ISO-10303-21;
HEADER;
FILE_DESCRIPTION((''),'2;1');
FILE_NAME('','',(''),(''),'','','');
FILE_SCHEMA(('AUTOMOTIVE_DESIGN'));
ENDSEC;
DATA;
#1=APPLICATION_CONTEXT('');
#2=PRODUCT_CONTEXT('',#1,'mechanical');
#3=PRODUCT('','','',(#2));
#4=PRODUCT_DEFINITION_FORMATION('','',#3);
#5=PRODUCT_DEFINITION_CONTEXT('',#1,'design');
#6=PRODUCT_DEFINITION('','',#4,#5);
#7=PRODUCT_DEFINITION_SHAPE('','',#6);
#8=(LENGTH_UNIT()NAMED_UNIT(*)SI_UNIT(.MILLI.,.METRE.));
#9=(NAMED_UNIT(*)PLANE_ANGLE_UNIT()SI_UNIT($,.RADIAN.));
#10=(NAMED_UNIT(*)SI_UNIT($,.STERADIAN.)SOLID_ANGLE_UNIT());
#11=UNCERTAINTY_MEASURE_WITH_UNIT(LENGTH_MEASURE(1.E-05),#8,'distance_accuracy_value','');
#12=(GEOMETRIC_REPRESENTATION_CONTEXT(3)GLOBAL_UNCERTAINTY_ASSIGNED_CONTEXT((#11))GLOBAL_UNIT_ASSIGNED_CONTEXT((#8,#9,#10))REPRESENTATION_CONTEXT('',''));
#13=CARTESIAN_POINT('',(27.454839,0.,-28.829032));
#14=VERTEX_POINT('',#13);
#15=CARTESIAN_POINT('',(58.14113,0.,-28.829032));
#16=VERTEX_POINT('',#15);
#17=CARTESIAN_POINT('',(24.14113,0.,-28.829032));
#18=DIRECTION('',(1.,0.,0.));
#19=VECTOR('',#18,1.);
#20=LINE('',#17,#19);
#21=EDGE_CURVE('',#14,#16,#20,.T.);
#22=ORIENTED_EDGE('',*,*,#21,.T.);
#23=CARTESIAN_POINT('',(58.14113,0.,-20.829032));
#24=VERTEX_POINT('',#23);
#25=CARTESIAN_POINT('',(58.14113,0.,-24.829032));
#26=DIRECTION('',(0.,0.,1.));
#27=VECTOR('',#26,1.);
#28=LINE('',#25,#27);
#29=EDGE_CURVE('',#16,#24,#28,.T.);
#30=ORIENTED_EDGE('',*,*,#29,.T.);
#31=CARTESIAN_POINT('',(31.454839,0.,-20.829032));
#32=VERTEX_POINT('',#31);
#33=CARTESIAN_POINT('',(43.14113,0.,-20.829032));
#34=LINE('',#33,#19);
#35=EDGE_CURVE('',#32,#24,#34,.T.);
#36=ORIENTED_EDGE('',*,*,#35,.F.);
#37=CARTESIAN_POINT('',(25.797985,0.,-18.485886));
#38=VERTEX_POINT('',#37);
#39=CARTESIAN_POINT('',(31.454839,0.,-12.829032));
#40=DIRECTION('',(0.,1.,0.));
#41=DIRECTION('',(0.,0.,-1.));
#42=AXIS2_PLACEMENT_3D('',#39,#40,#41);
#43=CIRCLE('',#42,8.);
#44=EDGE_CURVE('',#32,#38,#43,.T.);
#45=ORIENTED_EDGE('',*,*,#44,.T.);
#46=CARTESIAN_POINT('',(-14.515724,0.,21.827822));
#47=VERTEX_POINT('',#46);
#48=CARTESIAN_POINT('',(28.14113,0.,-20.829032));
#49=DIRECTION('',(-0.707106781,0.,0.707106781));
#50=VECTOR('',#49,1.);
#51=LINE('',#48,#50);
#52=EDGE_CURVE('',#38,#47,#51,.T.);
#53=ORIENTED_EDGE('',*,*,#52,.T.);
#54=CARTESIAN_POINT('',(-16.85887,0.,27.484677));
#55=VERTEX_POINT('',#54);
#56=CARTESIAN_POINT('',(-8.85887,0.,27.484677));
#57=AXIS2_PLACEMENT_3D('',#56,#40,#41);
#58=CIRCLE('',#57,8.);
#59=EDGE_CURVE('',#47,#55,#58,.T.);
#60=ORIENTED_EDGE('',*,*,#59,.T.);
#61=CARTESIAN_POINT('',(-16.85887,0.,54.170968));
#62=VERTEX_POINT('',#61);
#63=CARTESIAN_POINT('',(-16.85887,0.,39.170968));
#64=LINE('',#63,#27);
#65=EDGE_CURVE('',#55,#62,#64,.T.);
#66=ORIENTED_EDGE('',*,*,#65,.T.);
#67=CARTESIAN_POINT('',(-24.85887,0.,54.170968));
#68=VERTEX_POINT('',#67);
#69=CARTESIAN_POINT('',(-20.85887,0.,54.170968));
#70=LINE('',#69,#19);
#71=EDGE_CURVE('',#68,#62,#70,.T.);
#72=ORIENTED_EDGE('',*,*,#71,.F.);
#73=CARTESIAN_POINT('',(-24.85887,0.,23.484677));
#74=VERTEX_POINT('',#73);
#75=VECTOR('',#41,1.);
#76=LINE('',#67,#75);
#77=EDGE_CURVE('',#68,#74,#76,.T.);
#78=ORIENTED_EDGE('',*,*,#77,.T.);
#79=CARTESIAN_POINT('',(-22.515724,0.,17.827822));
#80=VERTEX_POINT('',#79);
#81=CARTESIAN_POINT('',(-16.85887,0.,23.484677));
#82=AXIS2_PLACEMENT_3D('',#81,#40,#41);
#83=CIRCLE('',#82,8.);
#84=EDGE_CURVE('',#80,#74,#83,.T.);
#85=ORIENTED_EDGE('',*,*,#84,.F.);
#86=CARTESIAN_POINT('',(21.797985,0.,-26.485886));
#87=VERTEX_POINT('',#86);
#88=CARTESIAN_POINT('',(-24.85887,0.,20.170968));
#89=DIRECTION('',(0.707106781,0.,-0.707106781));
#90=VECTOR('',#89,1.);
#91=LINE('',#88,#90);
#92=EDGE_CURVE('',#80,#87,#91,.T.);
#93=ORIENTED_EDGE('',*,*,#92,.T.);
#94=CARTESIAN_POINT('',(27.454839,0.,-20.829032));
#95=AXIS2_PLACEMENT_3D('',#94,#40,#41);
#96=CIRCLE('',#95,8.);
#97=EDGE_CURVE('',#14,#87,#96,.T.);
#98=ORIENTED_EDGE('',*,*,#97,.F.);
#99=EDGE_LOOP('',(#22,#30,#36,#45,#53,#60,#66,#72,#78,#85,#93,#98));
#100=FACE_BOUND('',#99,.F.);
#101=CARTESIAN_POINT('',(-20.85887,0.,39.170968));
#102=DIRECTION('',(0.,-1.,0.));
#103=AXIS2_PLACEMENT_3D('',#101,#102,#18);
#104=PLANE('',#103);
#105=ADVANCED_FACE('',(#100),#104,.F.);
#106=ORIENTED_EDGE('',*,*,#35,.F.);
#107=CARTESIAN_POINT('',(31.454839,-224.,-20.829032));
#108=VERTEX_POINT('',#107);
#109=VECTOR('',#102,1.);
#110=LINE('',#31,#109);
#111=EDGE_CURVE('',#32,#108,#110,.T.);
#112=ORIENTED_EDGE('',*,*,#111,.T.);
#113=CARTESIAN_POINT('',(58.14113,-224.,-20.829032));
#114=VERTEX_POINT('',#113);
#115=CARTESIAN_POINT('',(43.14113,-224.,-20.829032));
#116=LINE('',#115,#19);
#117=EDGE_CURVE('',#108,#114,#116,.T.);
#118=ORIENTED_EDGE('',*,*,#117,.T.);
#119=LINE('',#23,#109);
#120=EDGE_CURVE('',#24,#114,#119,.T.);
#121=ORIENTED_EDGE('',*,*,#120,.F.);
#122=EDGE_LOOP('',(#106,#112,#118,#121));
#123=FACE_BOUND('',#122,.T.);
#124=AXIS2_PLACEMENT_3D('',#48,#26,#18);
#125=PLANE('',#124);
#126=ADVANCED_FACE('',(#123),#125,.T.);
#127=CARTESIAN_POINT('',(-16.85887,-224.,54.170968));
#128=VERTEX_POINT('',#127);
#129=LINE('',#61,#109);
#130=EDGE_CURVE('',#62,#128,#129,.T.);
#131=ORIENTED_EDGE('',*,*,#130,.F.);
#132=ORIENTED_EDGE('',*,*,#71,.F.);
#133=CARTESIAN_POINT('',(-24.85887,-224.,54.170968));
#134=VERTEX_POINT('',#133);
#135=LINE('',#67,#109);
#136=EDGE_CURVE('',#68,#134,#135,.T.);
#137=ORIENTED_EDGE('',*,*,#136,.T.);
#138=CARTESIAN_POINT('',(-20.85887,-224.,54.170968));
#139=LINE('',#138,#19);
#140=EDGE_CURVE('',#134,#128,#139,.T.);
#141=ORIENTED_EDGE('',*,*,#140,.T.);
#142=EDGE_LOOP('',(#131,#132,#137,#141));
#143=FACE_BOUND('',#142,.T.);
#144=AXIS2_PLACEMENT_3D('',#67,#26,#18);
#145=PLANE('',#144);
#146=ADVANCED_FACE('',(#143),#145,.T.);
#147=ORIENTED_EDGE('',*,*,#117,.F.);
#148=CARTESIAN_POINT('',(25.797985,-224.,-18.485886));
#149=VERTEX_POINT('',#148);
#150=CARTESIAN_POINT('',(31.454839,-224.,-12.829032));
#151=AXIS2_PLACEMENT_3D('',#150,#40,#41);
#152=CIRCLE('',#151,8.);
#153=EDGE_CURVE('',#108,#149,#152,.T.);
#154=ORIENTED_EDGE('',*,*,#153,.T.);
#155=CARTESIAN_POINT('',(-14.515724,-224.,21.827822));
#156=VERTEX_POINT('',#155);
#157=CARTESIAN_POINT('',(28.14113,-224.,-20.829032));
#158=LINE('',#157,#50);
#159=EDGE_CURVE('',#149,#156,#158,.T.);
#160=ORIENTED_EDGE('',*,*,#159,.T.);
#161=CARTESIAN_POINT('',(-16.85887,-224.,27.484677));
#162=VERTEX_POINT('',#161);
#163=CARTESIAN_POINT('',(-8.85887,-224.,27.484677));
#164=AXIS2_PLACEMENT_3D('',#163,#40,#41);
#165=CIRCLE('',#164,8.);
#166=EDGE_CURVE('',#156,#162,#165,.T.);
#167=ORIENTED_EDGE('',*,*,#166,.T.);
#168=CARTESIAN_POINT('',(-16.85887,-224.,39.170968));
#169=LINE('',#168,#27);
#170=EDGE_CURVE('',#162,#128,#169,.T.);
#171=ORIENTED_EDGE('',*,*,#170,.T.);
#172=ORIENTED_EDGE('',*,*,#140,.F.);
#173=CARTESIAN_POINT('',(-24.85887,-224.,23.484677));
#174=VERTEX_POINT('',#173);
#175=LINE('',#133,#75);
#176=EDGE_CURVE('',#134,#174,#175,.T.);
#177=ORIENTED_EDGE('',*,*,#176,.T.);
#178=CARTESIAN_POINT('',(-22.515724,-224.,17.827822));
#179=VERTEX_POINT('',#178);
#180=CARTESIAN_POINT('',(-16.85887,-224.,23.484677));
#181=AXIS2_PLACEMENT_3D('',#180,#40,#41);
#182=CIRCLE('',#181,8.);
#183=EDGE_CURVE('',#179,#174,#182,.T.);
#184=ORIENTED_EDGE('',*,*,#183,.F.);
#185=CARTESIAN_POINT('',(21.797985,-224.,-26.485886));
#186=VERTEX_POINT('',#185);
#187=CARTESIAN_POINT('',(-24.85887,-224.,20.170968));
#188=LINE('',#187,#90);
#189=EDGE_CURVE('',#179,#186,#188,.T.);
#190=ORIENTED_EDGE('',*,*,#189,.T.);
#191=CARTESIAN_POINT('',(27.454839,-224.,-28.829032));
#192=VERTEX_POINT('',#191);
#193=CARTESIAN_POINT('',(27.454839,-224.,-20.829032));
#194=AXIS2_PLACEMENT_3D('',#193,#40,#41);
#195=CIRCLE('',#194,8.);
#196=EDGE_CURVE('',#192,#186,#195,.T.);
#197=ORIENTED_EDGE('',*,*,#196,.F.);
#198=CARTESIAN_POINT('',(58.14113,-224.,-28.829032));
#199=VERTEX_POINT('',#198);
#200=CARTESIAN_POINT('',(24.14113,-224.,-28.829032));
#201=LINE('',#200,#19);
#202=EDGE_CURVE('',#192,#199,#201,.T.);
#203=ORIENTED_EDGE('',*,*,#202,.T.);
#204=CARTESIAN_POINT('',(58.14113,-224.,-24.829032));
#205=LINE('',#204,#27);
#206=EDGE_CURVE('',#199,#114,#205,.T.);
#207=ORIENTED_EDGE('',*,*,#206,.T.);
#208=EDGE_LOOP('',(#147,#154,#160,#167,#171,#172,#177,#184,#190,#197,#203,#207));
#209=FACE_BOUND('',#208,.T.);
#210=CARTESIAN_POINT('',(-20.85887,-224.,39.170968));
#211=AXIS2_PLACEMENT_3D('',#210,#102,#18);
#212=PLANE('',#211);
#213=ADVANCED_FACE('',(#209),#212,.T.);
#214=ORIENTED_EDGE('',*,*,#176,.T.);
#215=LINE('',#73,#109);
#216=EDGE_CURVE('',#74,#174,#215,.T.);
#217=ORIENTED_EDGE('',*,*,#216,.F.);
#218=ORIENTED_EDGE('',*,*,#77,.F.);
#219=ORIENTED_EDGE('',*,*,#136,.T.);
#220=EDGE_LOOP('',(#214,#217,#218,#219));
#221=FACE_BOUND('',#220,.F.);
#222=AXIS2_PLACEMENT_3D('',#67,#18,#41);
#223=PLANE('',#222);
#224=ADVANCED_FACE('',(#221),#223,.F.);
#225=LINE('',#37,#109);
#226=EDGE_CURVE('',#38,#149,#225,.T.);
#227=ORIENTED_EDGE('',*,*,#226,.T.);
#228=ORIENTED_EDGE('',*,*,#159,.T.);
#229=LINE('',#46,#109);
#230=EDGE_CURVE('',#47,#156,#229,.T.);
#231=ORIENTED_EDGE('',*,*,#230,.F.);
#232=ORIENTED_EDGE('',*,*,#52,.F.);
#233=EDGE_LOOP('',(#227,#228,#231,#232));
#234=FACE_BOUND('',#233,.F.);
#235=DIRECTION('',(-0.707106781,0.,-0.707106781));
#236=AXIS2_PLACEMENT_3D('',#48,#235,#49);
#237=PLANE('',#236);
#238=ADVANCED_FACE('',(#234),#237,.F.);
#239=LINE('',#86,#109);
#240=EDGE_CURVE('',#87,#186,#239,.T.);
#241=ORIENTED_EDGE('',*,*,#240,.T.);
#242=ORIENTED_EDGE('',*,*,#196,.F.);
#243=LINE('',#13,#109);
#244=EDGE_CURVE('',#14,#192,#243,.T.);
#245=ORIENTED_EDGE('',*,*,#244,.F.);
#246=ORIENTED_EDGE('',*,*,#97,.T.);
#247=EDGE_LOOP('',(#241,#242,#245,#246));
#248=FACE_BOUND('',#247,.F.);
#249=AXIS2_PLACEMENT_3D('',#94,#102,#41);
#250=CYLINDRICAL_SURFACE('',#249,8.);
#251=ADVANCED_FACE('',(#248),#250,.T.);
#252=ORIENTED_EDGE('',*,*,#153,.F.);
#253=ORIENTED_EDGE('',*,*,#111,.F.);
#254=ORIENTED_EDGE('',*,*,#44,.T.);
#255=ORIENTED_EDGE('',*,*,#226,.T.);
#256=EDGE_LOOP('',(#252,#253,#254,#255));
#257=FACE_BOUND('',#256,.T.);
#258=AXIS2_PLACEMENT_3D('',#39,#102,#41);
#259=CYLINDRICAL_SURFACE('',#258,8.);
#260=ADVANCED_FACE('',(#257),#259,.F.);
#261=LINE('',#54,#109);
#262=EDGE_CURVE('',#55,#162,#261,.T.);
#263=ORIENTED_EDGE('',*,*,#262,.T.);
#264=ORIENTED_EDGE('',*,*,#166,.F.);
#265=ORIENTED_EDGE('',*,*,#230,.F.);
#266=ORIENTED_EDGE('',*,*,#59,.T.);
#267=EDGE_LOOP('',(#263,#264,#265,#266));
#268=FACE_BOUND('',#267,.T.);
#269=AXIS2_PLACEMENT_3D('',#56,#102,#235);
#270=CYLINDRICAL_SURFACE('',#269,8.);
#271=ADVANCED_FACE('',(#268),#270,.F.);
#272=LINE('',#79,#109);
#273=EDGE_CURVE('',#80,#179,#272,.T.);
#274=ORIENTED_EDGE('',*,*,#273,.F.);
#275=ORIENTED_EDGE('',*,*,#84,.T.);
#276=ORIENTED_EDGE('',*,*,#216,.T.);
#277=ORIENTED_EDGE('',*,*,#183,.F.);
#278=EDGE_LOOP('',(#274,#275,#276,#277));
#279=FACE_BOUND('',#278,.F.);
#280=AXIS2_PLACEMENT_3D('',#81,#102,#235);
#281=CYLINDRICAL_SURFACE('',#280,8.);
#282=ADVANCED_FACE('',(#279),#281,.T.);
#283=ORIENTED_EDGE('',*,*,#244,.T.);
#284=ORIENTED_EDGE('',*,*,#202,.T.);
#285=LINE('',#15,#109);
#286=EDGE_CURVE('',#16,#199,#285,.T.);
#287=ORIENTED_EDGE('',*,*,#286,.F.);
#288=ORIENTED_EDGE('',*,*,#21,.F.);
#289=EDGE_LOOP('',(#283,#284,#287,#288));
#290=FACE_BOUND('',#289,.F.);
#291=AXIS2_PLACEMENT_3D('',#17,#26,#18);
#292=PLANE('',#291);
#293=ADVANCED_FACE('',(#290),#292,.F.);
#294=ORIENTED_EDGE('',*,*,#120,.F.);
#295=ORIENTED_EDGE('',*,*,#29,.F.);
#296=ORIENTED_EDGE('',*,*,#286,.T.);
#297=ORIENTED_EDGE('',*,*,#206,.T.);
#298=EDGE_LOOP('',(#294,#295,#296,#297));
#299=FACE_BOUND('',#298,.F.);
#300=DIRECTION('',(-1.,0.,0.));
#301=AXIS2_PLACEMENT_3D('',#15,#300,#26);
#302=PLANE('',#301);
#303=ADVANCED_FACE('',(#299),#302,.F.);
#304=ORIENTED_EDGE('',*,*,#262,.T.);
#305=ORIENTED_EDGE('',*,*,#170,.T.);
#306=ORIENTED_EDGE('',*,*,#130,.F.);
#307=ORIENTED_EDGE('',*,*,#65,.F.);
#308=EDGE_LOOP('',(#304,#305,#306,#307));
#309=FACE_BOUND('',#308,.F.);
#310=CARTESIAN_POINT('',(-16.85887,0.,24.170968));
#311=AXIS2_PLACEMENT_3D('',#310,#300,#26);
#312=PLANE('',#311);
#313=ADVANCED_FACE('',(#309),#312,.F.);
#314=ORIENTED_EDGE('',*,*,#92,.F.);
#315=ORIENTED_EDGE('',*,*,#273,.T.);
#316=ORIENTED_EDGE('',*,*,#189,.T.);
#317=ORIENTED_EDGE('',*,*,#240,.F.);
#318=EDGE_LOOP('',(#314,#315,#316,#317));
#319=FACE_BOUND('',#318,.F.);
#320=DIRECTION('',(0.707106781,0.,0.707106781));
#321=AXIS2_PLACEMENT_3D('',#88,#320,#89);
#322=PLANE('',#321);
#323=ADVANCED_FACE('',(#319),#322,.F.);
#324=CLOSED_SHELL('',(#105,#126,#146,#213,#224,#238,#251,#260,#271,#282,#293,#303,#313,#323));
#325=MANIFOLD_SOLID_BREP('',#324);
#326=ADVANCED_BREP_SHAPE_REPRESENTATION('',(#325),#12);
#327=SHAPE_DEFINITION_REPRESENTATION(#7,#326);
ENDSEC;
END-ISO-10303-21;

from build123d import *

# Parameters (mm, degrees)
F0_W     = 8
F0_H     = 30
F0_W_2   = 30
F0_H_2   = 8
F1_DEPTH = 224
F2_R     = 8
F3_R     = 8


with BuildPart() as f1:
    # F0 (on Front) → F1 (new body)
    with BuildSketch(Plane.XZ):
        with Locations((-20.8588695079, 39.1709680259)):
            Rectangle(F0_W, F0_H)
        Polygon((-16.8588695079, 24.1709680259), (-24.8588695079, 24.1709680259), (-24.8588695079, 20.1709680259), align=None)
        Polygon((28.1411304921, -20.8290319741), (-16.8588695079, 24.1709680259), (-24.8588695079, 20.1709680259), (24.1411304921, -28.8290319741), align=None)
        with Locations((43.1411304921, -24.8290319741)):
            Rectangle(F0_W_2, F0_H_2)
        Polygon((28.1411304921, -28.8290319741), (28.1411304921, -20.8290319741), (24.1411304921, -28.8290319741), align=None)
    extrude(amount=F1_DEPTH)

    # F2
    f2_edges = [f1.edges().sort_by_distance(p)[0] for p in [
        (-16.85887, -112, 24.170968),
        (28.14113, -112, -20.829032),
    ]]
    fillet(f2_edges, radius=F2_R)

    # F3
    f3_edges = [f1.edges().sort_by_distance(p)[0] for p in [
        (-24.85887, -112, 20.170968),
        (24.14113, -112, -28.829032),
    ]]
    fillet(f3_edges, radius=F3_R)


solid = f1.part
